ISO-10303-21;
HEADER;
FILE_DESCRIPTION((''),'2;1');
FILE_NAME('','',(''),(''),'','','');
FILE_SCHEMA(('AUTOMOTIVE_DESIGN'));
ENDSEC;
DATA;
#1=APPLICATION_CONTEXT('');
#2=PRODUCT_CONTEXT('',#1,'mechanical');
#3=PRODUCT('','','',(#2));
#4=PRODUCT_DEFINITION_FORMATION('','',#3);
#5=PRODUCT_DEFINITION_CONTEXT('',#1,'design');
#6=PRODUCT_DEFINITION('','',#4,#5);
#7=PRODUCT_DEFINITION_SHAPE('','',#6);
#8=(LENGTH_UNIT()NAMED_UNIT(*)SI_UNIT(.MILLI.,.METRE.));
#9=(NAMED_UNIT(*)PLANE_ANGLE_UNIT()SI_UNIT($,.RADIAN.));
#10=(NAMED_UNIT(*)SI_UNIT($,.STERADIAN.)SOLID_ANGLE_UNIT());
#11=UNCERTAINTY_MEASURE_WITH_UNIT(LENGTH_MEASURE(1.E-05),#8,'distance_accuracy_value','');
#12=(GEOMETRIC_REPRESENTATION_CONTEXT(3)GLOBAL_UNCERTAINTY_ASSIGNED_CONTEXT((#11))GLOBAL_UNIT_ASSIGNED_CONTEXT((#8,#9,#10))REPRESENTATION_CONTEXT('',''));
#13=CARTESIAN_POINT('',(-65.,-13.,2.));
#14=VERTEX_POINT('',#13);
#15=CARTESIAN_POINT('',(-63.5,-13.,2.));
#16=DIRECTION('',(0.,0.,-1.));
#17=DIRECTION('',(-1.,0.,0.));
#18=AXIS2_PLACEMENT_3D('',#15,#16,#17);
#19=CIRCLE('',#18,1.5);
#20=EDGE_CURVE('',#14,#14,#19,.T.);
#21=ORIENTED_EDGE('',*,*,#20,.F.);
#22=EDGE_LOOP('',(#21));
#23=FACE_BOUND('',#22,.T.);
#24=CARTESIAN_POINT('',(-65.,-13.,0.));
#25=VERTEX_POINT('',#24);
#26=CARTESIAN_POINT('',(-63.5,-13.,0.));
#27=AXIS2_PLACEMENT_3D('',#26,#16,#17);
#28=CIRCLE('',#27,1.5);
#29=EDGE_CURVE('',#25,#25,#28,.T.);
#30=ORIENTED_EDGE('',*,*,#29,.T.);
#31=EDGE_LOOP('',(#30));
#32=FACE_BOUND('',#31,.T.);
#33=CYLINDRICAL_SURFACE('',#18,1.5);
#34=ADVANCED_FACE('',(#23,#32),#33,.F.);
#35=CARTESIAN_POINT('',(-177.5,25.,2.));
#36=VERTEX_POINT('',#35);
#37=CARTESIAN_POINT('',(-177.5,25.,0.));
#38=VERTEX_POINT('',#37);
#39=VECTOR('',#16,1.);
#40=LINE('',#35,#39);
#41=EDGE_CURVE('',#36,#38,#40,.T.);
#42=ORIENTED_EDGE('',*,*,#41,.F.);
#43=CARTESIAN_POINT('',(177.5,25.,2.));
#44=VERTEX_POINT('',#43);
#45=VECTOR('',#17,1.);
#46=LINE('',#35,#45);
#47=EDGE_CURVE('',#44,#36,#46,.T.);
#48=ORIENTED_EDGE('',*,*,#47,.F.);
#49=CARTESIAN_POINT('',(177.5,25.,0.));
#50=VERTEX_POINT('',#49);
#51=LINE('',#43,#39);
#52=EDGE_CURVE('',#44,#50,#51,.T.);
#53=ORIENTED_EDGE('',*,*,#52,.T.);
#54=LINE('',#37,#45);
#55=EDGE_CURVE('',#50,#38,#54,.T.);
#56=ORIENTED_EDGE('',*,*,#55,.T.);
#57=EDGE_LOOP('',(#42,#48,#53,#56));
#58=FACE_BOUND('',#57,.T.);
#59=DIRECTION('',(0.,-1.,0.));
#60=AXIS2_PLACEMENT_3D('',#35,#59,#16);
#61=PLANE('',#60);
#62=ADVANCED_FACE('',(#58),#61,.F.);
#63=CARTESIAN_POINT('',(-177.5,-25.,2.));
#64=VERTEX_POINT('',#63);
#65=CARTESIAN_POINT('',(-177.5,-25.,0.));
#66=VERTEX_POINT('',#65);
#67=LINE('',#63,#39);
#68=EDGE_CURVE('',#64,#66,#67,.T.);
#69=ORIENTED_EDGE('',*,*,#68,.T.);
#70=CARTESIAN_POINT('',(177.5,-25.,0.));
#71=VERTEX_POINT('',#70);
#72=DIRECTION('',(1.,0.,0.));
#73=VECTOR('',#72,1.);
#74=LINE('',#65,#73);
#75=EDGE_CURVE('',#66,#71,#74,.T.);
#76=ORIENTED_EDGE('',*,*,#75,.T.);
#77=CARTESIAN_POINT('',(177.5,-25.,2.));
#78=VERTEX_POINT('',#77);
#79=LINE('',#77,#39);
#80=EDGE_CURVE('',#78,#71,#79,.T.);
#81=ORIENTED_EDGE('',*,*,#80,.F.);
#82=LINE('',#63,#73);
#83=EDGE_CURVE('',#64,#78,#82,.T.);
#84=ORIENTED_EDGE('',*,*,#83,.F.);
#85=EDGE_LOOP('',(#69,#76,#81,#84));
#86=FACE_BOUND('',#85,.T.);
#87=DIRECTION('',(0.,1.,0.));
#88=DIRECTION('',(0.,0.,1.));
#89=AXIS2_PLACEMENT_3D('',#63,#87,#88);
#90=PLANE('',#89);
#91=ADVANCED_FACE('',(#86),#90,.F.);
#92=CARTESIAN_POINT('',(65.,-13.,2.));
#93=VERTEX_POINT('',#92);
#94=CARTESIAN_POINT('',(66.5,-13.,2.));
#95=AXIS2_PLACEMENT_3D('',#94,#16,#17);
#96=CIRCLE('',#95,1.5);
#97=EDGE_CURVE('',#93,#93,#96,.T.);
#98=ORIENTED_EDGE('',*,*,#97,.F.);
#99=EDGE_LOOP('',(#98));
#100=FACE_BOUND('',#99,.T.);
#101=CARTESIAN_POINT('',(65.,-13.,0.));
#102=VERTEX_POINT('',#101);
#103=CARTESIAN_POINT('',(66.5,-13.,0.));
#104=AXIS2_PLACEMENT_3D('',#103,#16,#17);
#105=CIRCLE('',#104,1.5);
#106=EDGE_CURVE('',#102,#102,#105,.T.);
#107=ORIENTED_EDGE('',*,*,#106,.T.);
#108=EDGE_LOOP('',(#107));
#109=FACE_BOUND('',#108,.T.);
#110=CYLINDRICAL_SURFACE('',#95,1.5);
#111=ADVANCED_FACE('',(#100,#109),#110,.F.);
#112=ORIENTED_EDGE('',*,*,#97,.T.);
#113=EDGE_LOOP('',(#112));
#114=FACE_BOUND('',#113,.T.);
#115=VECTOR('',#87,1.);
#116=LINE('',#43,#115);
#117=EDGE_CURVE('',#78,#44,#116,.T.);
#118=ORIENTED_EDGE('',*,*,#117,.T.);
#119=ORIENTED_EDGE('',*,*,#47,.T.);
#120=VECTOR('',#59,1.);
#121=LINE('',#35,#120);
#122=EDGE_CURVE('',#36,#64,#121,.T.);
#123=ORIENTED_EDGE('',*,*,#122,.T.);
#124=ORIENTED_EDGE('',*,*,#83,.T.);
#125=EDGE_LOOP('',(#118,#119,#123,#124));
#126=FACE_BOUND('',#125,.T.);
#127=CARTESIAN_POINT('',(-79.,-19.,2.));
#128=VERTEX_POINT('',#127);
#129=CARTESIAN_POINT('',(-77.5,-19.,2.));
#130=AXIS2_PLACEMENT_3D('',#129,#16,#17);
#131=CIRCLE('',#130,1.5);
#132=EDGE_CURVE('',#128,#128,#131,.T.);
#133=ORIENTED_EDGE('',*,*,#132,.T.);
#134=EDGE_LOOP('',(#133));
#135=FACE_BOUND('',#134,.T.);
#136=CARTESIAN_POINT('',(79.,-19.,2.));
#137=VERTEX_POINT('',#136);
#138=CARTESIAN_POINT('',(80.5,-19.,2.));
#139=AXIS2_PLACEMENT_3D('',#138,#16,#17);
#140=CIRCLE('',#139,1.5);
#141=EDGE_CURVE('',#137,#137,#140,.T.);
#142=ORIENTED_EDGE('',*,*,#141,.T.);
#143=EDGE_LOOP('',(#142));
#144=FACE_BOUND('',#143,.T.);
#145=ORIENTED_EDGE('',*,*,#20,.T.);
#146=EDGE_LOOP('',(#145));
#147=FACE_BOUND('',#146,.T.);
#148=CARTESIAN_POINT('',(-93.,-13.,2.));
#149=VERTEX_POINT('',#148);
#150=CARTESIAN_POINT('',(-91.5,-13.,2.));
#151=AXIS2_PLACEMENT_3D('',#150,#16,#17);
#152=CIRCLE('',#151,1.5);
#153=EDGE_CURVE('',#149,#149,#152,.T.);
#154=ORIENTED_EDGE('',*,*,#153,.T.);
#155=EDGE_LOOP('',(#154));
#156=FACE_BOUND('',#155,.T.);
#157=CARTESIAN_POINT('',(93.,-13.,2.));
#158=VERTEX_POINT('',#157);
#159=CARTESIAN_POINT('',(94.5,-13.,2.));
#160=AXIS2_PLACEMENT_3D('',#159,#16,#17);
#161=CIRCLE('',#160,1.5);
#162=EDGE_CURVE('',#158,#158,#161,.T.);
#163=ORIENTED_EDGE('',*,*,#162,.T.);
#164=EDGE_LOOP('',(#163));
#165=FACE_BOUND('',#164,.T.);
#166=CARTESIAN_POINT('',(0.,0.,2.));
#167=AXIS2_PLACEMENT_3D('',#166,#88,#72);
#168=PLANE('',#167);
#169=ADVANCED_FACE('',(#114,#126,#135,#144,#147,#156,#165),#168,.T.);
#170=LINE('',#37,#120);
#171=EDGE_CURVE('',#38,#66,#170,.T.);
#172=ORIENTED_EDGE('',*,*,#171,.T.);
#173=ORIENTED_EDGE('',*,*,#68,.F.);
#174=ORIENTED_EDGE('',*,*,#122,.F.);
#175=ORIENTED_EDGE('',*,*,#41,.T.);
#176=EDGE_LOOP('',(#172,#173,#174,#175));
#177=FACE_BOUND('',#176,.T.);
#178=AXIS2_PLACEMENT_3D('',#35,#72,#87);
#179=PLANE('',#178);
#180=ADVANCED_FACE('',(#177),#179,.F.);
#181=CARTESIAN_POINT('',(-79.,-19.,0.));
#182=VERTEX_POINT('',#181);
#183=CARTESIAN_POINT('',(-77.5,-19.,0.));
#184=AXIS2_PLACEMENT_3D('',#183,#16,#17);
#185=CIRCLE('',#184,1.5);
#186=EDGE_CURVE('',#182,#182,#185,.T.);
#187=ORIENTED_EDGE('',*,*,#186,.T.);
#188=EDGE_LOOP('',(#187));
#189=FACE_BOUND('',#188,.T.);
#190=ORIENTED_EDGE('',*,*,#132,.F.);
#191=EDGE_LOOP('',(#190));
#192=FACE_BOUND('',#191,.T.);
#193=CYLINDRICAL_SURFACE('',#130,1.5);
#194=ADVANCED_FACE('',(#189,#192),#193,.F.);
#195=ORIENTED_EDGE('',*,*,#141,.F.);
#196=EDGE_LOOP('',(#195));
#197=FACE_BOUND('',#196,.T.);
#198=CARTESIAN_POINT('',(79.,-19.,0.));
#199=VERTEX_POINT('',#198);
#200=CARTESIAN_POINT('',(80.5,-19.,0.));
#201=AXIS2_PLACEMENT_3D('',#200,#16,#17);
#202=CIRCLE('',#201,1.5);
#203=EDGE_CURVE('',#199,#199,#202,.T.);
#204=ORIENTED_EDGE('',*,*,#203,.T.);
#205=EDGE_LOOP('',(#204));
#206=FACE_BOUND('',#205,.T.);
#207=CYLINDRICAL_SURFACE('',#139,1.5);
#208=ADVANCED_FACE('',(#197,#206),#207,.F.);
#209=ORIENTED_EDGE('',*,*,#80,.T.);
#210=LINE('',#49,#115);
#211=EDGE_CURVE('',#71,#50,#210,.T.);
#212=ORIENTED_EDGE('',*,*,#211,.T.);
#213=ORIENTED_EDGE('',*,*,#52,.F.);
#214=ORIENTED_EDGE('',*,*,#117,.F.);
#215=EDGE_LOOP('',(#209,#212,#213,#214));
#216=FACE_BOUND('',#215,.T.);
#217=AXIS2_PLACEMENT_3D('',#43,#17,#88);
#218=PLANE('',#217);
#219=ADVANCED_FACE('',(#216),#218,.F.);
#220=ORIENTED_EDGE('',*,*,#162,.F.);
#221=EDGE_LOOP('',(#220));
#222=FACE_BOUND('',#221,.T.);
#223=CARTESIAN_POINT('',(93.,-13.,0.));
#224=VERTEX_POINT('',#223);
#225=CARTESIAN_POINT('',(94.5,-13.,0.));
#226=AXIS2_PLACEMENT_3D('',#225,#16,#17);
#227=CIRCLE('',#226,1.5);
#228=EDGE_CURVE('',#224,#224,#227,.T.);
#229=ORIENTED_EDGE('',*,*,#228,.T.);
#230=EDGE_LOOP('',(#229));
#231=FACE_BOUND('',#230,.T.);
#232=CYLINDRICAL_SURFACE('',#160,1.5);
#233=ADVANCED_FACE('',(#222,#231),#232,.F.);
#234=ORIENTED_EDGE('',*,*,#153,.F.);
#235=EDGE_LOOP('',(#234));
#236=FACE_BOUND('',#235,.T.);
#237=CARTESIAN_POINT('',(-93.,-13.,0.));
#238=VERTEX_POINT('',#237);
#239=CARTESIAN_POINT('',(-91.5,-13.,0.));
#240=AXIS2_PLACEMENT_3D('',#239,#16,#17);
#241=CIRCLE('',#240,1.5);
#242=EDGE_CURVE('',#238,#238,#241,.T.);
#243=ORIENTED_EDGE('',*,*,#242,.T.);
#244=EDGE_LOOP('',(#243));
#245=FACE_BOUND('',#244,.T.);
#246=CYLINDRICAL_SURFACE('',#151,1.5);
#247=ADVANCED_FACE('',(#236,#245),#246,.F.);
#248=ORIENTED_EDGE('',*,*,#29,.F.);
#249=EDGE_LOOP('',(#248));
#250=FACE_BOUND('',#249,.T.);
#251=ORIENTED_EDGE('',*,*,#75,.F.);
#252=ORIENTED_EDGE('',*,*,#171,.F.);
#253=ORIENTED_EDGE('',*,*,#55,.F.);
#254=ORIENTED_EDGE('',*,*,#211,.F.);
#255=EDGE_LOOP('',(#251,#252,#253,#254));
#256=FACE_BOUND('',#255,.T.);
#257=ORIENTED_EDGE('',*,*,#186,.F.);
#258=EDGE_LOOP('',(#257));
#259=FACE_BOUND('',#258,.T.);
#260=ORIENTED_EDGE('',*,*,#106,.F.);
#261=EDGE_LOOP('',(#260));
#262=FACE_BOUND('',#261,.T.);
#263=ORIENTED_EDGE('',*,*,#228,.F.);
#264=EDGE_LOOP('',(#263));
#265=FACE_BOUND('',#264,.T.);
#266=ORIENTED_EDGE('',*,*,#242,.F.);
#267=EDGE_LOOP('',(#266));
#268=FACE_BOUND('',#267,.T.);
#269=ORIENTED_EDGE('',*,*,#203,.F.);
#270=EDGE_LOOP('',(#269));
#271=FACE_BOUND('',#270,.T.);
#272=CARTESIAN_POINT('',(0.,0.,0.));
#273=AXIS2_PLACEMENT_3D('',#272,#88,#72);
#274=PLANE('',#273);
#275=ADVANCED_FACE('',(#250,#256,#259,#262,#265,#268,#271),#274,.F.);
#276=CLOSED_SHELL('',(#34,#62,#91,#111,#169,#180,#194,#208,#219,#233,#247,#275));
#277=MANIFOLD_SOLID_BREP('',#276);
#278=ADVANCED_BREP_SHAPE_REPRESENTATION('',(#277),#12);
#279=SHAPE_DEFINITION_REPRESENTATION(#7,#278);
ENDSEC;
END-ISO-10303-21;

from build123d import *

# Parameters (mm, degrees)
ESQUISSE1_W             = 355
ESQUISSE1_H             = 50
BOSS_EXTRU_1_DEPTH      = 2
ESQUISSE2_R             = 1.5
ENL_V_MAT_EXTRU_1_DEPTH = 180.263074837


with BuildPart() as part:
    # Esquisse1 → Boss.-Extru.1 (new body)
    with BuildSketch(Plane.XY):
        Rectangle(ESQUISSE1_W, ESQUISSE1_H)
    extrude(amount=BOSS_EXTRU_1_DEPTH)

    # Esquisse2 → Enlèv. mat.-Extru.1 (cut, through all)
    with BuildSketch(Plane(origin=(0, 0, 0), x_dir=(-1, 0, 0), z_dir=(0, 0, -1))):
        with Locations((-94.5, -13)):
            Circle(ESQUISSE2_R)
        with Locations((-80.5, -19)):
            Circle(ESQUISSE2_R)
        with Locations((-66.5, -13)):
            Circle(ESQUISSE2_R)
        with Locations((77.5, -19)):
            Circle(ESQUISSE2_R)
        with Locations((63.5, -13)):
            Circle(ESQUISSE2_R)
        with Locations((91.5, -13)):
            Circle(ESQUISSE2_R)
    extrude(amount=-ENL_V_MAT_EXTRU_1_DEPTH, mode=Mode.SUBTRACT)


solid = part.part
